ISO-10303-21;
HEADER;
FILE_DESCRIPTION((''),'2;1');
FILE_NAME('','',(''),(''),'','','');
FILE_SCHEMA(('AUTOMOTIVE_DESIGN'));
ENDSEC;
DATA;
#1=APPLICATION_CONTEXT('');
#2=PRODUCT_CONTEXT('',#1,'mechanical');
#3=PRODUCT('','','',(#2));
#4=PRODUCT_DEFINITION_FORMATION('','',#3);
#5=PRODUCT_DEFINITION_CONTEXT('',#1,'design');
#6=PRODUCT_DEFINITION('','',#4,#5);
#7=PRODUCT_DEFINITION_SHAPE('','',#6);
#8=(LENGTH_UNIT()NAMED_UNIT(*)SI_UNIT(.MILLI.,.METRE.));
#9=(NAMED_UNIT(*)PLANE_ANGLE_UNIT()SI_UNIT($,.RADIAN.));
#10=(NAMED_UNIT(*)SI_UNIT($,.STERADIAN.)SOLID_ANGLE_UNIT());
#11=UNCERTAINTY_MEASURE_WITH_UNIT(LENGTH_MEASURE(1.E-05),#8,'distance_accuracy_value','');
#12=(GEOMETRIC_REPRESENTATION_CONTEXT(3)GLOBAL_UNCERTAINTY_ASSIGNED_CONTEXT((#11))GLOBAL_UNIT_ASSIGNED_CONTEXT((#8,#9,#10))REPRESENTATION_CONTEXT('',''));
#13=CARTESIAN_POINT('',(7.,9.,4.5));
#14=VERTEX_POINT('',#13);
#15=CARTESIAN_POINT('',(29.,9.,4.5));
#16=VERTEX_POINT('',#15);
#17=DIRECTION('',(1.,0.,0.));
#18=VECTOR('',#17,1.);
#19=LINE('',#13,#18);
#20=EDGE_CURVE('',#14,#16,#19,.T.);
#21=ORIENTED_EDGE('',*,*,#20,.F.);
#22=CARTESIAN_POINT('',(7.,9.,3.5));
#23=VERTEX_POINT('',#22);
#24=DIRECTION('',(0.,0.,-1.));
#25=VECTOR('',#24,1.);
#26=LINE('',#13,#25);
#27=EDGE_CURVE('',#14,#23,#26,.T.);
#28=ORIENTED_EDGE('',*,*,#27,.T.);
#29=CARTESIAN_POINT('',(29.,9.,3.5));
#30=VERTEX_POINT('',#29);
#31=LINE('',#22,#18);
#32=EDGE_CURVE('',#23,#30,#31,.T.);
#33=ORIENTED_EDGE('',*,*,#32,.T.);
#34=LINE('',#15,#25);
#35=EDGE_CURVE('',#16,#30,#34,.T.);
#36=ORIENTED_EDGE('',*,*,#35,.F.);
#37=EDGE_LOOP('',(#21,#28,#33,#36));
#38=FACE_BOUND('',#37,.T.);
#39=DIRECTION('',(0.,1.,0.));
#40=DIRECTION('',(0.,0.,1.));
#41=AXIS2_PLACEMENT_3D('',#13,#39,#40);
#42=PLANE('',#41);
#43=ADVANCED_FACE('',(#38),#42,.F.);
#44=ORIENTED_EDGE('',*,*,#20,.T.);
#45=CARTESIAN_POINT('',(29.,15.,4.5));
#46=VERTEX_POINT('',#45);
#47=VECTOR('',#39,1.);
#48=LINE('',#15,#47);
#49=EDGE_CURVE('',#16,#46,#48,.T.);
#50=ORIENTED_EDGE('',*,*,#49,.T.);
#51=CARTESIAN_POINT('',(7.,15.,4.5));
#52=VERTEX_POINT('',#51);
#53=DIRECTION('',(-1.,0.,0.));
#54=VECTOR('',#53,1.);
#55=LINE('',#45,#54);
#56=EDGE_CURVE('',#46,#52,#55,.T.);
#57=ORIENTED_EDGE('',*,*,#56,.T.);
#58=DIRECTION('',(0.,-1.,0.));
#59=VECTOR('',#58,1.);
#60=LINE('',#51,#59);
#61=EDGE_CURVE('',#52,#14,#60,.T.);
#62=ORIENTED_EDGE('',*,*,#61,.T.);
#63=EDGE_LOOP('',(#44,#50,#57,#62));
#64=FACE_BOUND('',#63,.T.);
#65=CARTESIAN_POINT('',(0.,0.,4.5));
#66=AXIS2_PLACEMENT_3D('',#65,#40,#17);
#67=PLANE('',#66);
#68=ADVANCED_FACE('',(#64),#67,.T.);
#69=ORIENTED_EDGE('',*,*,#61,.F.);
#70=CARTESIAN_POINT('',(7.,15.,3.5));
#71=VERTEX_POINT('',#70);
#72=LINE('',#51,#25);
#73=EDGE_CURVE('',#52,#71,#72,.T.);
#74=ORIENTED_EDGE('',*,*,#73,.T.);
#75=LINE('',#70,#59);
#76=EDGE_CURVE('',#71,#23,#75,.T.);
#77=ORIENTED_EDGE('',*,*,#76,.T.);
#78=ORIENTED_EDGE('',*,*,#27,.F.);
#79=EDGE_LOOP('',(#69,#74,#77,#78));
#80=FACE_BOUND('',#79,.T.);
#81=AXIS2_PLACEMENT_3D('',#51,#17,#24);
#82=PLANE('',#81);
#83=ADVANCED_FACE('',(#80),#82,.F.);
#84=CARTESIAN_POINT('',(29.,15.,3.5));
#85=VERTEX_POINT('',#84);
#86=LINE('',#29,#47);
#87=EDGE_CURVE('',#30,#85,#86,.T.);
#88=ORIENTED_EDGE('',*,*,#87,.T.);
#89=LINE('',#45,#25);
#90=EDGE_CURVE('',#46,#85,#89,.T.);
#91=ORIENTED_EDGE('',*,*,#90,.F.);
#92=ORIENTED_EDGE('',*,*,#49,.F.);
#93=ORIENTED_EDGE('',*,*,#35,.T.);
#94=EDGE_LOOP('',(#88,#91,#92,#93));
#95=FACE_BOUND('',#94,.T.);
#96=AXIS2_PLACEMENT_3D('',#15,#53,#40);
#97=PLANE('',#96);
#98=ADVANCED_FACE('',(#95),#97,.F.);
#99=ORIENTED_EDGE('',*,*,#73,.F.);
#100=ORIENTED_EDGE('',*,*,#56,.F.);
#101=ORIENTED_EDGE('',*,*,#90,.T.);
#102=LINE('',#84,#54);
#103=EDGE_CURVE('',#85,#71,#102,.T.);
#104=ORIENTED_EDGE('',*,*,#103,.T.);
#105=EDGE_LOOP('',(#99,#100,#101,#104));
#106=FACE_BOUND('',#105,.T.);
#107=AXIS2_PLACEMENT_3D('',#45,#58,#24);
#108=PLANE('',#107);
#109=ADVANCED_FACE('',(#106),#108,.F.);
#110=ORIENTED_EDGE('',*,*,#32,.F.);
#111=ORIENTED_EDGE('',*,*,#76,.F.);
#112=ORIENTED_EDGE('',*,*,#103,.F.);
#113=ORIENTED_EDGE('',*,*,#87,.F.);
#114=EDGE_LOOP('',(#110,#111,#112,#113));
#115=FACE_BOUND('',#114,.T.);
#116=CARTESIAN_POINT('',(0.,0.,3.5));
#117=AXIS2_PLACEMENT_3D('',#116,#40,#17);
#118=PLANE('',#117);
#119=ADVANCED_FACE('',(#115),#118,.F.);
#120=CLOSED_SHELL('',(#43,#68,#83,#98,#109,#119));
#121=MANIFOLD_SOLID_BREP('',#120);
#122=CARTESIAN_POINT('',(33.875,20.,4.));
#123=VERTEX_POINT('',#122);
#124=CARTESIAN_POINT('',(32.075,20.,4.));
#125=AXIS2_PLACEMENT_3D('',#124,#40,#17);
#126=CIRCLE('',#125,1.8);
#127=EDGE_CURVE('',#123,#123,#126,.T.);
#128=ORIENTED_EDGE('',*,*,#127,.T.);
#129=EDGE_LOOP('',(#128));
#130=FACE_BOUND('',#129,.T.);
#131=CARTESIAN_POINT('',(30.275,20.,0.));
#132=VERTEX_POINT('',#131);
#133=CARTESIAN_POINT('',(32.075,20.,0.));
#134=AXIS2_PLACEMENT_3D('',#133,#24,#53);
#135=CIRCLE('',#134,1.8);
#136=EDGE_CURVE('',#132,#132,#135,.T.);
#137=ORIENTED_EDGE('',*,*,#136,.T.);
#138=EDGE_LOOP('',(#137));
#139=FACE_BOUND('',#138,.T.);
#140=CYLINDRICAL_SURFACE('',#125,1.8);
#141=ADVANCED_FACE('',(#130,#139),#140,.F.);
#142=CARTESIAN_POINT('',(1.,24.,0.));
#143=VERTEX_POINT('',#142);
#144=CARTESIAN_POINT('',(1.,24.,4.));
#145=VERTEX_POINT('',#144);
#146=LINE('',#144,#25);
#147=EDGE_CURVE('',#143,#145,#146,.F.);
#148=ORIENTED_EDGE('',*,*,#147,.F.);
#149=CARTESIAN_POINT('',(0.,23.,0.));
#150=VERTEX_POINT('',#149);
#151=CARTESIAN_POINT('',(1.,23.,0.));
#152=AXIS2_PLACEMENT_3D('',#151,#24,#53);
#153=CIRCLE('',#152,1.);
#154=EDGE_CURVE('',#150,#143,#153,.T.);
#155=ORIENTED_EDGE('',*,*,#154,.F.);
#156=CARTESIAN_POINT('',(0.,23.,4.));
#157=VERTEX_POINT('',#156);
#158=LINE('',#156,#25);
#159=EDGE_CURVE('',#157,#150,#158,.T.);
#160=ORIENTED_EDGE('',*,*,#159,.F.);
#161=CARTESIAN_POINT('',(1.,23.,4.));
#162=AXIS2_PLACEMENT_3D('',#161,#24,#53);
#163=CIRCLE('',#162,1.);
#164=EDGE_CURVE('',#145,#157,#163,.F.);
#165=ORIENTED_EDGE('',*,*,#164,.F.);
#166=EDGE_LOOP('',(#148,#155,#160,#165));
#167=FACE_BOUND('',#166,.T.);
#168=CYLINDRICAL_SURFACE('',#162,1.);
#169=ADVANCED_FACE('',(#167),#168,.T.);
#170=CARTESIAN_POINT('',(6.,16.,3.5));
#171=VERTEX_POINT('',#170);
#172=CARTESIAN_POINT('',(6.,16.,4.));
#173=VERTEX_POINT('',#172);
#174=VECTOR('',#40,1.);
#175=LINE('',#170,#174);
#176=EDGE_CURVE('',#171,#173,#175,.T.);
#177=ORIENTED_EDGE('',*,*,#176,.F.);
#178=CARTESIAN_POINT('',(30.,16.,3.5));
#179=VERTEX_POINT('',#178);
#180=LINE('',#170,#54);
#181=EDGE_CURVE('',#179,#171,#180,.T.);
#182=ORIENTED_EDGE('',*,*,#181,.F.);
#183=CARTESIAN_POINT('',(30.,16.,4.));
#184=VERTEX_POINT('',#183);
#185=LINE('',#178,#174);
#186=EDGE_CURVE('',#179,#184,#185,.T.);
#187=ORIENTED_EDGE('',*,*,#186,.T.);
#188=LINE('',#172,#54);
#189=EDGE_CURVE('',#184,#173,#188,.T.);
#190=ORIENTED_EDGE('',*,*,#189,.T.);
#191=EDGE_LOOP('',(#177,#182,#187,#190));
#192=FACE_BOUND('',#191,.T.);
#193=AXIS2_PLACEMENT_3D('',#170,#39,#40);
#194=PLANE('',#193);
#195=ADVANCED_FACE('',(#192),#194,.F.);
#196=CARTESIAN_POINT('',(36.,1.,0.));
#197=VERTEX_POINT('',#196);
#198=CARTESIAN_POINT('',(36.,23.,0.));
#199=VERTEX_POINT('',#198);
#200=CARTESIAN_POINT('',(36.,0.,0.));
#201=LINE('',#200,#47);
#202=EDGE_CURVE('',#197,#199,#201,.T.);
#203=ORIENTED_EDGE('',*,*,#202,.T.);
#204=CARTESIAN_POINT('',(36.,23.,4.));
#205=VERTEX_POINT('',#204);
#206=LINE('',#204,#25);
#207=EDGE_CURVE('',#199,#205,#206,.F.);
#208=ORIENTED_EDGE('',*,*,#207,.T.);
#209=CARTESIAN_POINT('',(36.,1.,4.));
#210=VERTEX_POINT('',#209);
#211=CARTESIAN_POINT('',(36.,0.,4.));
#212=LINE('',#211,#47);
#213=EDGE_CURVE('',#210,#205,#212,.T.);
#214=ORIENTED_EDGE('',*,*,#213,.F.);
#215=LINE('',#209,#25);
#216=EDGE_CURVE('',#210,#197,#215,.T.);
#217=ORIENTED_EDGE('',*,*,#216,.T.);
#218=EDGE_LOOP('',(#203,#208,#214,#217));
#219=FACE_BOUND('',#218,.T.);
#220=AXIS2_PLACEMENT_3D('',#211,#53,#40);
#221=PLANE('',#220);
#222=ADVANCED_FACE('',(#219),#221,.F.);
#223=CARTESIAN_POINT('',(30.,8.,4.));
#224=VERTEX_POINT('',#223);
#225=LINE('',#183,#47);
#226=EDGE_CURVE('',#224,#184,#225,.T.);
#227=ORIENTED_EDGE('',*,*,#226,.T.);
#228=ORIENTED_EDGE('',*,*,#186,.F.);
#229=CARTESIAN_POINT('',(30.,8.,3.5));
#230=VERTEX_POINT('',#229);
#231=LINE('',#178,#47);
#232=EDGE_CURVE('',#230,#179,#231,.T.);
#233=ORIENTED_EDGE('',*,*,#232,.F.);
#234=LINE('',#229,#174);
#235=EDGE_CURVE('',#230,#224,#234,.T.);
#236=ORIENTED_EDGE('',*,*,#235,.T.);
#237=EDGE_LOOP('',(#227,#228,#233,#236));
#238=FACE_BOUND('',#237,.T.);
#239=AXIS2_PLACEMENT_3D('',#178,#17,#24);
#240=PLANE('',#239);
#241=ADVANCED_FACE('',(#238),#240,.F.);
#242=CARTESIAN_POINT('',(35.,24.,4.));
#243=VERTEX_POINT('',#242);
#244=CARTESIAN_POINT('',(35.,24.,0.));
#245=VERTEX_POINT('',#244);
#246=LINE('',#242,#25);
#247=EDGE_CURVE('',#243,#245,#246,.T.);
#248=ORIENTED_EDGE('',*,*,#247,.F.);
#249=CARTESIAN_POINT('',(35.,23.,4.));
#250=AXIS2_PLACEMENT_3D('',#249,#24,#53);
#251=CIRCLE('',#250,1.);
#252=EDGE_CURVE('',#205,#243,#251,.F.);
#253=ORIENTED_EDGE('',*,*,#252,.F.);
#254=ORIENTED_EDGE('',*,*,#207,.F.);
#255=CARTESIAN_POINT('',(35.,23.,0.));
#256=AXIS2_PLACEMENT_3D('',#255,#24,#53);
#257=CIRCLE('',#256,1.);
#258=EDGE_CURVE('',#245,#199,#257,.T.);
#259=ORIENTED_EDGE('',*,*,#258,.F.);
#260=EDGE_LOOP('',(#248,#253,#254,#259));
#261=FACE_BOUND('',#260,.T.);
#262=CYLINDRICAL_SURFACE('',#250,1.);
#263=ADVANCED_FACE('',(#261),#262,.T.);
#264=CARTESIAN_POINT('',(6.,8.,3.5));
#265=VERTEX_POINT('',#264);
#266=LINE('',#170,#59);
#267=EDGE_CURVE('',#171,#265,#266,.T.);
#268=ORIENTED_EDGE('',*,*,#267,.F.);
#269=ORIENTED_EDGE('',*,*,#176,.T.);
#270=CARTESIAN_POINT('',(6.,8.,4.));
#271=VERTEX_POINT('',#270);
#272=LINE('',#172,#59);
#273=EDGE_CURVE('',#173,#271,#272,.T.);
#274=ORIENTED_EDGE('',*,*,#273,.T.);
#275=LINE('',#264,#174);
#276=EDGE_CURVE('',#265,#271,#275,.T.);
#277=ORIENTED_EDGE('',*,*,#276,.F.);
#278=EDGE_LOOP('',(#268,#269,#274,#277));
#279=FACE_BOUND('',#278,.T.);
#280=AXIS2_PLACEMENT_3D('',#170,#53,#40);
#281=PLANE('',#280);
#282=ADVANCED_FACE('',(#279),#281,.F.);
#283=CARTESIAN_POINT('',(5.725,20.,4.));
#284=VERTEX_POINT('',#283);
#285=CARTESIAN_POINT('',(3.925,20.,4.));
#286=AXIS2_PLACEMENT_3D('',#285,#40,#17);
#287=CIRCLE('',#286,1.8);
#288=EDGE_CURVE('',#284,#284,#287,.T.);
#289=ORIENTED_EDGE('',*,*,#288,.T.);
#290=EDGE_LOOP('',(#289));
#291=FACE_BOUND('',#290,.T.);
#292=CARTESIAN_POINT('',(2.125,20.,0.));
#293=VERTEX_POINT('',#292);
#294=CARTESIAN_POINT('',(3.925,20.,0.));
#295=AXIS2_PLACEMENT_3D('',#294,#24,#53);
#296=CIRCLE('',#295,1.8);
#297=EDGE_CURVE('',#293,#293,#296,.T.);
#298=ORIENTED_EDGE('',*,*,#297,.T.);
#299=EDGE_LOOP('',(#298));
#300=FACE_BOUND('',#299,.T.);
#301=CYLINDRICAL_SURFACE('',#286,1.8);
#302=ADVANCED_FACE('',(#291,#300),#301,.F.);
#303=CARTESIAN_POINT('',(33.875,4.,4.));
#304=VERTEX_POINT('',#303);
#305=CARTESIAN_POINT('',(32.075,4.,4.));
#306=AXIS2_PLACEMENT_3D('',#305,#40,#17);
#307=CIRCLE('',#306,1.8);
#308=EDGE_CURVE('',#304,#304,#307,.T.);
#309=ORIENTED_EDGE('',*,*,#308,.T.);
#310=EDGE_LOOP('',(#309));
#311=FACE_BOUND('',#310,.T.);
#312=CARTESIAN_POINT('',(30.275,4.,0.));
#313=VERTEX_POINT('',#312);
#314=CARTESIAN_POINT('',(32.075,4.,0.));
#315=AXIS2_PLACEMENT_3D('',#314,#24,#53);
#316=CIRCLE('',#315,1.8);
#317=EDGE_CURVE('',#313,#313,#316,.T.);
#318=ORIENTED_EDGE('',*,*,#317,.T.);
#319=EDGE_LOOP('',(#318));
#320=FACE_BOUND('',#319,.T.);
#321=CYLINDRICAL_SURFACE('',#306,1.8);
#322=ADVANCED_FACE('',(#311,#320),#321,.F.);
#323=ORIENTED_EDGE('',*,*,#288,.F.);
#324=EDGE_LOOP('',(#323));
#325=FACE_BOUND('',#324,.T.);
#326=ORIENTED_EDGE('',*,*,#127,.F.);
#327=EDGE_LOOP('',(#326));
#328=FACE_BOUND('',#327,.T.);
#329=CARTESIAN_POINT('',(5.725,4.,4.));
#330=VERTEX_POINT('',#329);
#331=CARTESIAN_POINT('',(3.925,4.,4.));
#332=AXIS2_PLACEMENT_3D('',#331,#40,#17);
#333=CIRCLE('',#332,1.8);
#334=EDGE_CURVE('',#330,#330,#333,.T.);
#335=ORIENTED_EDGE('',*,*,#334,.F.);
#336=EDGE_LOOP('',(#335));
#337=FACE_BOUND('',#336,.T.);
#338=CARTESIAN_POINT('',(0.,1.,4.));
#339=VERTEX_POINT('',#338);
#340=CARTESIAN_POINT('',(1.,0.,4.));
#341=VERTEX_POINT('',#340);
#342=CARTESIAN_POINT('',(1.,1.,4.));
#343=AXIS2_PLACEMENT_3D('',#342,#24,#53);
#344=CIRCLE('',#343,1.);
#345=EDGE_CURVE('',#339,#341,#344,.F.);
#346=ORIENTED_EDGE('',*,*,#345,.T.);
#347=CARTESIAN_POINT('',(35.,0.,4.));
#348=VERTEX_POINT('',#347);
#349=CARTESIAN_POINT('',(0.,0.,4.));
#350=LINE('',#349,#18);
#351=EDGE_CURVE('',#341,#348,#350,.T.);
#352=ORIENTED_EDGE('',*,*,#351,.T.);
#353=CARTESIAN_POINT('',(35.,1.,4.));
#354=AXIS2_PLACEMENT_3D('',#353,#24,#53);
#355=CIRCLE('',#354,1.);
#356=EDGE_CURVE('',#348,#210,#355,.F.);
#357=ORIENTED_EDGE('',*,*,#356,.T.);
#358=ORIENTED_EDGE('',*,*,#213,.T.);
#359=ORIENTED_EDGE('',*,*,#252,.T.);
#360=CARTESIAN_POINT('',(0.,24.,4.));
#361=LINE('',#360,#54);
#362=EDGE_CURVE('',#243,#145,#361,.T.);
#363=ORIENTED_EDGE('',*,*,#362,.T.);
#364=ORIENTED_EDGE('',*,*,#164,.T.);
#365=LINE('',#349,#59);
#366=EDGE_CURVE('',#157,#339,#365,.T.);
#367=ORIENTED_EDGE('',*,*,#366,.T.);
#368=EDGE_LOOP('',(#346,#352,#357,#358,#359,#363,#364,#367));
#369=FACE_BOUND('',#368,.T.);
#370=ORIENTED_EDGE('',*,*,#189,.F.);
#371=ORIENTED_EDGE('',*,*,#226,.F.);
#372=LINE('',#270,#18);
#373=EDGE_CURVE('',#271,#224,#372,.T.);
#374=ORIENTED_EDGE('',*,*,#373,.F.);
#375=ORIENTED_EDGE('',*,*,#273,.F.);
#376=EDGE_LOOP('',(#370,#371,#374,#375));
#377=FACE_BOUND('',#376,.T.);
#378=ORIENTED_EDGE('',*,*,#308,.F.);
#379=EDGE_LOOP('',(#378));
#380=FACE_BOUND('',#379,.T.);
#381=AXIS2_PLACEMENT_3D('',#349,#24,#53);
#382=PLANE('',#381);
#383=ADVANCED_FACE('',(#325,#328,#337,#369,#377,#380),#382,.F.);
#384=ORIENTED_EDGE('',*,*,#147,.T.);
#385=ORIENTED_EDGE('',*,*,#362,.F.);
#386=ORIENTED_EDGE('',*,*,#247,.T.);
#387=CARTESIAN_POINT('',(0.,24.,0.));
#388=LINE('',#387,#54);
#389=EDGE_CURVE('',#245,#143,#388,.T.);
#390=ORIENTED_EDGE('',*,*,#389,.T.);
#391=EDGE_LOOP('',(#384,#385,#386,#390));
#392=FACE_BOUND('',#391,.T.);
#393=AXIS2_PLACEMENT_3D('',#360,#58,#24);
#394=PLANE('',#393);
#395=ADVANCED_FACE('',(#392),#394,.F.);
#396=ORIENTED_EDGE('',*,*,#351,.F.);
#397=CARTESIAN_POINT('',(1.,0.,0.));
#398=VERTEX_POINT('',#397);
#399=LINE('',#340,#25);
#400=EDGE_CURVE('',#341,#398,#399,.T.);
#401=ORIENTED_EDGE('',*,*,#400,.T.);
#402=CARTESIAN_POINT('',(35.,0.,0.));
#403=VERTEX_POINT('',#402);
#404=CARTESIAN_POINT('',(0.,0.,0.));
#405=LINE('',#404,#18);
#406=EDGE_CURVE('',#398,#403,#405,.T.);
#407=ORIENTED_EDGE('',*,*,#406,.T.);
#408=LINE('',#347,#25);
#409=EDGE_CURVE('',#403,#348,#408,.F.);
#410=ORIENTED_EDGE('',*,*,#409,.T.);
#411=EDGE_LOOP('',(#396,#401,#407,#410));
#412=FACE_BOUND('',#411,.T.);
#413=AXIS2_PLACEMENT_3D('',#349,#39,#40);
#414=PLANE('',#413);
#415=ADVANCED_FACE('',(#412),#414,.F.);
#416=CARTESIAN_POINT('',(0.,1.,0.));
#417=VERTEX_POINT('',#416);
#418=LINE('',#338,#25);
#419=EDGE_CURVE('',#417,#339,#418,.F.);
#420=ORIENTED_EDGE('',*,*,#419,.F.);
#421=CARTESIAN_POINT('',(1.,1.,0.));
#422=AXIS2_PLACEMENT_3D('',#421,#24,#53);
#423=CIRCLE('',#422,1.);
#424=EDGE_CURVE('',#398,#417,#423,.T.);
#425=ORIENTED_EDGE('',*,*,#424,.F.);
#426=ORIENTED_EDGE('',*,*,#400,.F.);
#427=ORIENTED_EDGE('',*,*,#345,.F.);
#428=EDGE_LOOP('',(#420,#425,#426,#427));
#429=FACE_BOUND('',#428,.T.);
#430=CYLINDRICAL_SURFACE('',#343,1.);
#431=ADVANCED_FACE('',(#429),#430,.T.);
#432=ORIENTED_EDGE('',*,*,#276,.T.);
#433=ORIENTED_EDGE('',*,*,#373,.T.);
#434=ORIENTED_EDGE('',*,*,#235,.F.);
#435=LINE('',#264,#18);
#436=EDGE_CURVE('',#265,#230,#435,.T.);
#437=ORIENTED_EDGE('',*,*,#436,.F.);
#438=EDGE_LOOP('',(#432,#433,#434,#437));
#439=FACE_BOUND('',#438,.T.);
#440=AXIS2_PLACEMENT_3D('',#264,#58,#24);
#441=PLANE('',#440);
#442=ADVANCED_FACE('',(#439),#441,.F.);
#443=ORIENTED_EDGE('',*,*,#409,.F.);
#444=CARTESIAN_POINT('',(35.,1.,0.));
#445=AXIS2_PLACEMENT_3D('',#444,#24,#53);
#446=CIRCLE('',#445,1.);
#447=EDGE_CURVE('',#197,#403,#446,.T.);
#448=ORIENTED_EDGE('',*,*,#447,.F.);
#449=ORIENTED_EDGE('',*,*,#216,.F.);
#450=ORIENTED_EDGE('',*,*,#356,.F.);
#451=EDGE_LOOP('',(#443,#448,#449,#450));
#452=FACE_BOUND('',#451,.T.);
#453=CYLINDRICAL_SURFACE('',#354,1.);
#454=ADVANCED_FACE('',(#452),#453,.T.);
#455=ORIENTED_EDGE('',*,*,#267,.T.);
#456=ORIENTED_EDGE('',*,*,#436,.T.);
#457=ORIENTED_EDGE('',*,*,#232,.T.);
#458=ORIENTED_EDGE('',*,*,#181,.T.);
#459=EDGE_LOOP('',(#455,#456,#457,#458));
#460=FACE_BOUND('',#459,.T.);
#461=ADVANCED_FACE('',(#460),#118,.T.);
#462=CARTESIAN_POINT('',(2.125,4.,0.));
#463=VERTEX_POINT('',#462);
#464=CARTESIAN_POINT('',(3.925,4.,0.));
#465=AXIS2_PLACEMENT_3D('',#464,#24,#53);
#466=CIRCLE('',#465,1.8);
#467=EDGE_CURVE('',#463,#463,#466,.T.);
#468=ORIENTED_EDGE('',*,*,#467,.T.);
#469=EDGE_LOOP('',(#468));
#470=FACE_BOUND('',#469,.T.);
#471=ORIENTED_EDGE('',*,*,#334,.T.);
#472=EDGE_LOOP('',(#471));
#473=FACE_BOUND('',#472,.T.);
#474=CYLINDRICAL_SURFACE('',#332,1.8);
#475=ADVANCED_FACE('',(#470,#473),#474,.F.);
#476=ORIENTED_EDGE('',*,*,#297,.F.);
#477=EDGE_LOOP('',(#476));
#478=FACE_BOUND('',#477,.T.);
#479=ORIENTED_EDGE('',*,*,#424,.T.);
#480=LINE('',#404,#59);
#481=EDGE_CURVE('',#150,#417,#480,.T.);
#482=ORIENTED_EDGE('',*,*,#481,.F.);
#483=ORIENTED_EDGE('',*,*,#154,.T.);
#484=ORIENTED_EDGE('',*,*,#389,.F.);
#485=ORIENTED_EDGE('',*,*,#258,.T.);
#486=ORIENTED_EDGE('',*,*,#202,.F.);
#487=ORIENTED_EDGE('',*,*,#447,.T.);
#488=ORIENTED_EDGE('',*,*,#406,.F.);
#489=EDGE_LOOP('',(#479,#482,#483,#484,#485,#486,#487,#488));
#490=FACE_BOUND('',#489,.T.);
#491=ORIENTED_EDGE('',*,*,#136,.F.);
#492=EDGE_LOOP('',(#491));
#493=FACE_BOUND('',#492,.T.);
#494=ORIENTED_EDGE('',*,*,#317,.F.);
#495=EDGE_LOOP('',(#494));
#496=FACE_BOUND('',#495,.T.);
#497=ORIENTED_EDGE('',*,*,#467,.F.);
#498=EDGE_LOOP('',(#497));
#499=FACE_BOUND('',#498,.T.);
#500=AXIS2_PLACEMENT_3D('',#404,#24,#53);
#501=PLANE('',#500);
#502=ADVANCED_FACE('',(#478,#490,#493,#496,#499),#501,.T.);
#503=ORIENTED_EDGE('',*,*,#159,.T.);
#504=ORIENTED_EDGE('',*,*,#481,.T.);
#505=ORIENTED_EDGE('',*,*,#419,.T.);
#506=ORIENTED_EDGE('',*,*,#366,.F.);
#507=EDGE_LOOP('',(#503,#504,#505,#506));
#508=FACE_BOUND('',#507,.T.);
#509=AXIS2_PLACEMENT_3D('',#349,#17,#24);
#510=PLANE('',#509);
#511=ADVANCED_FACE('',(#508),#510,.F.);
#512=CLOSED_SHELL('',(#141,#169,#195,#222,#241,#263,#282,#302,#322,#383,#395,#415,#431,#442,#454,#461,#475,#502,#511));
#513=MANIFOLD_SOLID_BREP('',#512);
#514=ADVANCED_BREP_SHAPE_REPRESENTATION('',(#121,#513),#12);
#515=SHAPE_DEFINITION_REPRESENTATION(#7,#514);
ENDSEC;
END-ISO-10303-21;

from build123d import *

# Parameters (mm, degrees)
SKETCH1_W                = 36
SKETCH1_H                = 24
BOSS_EXTRUDE1_DEPTH      = 4
M3_CLEARANCE_HOLE1_D     = 3.6
M3_CLEARANCE_HOLE1_DEPTH = 16
M3_CLEARANCE_HOLE1_TIP   = 1.081549114
FILLET1_R                = 1
SKETCH4_W                = 24
SKETCH4_H                = 8
CUT_EXTRUDE1_DEPTH       = 0.5
SKETCH5_W                = 22
SKETCH5_H                = 6
BOSS_EXTRUDE2_DEPTH      = 1


with BuildPart() as part:
    # Sketch1 → Boss-Extrude1 (new body)
    with BuildSketch(Plane.XY):
        with Locations((18, 12)):
            Rectangle(SKETCH1_W, SKETCH1_H)
    extrude(amount=BOSS_EXTRUDE1_DEPTH)

    # M3 Clearance Hole1
    with Locations(Plane.XY.offset(4)):
        with Locations((3.925, 20), (32.075, 20), (32.075, 4), (3.925, 4)):
            Hole(M3_CLEARANCE_HOLE1_D / 2, depth=M3_CLEARANCE_HOLE1_DEPTH)
            with Locations((0, 0, -(M3_CLEARANCE_HOLE1_DEPTH + M3_CLEARANCE_HOLE1_TIP / 2))):  # 118° drill point
                Cone(0, M3_CLEARANCE_HOLE1_D / 2, M3_CLEARANCE_HOLE1_TIP, mode=Mode.SUBTRACT)

    # Fillet1
    fillet1_edges = [part.edges().sort_by_distance(p)[0] for p in [
        (0, 24, 2),
        (36, 24, 2),
        (36, 0, 2),
        (0, 0, 2),
    ]]
    fillet(fillet1_edges, radius=FILLET1_R)

    # Sketch4 → Cut-Extrude1 (cut)
    with BuildSketch(Plane.XY.offset(4)):
        with Locations((18, 12)):
            Rectangle(SKETCH4_W, SKETCH4_H)
    extrude(amount=-CUT_EXTRUDE1_DEPTH, mode=Mode.SUBTRACT)


with BuildPart() as body_2:
    # Sketch5 → Boss-Extrude2 (new body)
    with BuildSketch(Plane.XY.offset(3.5)):
        with Locations((18, 12)):
            Rectangle(SKETCH5_W, SKETCH5_H)
    extrude(amount=BOSS_EXTRUDE2_DEPTH)


solid = Compound([part.part, body_2.part])
